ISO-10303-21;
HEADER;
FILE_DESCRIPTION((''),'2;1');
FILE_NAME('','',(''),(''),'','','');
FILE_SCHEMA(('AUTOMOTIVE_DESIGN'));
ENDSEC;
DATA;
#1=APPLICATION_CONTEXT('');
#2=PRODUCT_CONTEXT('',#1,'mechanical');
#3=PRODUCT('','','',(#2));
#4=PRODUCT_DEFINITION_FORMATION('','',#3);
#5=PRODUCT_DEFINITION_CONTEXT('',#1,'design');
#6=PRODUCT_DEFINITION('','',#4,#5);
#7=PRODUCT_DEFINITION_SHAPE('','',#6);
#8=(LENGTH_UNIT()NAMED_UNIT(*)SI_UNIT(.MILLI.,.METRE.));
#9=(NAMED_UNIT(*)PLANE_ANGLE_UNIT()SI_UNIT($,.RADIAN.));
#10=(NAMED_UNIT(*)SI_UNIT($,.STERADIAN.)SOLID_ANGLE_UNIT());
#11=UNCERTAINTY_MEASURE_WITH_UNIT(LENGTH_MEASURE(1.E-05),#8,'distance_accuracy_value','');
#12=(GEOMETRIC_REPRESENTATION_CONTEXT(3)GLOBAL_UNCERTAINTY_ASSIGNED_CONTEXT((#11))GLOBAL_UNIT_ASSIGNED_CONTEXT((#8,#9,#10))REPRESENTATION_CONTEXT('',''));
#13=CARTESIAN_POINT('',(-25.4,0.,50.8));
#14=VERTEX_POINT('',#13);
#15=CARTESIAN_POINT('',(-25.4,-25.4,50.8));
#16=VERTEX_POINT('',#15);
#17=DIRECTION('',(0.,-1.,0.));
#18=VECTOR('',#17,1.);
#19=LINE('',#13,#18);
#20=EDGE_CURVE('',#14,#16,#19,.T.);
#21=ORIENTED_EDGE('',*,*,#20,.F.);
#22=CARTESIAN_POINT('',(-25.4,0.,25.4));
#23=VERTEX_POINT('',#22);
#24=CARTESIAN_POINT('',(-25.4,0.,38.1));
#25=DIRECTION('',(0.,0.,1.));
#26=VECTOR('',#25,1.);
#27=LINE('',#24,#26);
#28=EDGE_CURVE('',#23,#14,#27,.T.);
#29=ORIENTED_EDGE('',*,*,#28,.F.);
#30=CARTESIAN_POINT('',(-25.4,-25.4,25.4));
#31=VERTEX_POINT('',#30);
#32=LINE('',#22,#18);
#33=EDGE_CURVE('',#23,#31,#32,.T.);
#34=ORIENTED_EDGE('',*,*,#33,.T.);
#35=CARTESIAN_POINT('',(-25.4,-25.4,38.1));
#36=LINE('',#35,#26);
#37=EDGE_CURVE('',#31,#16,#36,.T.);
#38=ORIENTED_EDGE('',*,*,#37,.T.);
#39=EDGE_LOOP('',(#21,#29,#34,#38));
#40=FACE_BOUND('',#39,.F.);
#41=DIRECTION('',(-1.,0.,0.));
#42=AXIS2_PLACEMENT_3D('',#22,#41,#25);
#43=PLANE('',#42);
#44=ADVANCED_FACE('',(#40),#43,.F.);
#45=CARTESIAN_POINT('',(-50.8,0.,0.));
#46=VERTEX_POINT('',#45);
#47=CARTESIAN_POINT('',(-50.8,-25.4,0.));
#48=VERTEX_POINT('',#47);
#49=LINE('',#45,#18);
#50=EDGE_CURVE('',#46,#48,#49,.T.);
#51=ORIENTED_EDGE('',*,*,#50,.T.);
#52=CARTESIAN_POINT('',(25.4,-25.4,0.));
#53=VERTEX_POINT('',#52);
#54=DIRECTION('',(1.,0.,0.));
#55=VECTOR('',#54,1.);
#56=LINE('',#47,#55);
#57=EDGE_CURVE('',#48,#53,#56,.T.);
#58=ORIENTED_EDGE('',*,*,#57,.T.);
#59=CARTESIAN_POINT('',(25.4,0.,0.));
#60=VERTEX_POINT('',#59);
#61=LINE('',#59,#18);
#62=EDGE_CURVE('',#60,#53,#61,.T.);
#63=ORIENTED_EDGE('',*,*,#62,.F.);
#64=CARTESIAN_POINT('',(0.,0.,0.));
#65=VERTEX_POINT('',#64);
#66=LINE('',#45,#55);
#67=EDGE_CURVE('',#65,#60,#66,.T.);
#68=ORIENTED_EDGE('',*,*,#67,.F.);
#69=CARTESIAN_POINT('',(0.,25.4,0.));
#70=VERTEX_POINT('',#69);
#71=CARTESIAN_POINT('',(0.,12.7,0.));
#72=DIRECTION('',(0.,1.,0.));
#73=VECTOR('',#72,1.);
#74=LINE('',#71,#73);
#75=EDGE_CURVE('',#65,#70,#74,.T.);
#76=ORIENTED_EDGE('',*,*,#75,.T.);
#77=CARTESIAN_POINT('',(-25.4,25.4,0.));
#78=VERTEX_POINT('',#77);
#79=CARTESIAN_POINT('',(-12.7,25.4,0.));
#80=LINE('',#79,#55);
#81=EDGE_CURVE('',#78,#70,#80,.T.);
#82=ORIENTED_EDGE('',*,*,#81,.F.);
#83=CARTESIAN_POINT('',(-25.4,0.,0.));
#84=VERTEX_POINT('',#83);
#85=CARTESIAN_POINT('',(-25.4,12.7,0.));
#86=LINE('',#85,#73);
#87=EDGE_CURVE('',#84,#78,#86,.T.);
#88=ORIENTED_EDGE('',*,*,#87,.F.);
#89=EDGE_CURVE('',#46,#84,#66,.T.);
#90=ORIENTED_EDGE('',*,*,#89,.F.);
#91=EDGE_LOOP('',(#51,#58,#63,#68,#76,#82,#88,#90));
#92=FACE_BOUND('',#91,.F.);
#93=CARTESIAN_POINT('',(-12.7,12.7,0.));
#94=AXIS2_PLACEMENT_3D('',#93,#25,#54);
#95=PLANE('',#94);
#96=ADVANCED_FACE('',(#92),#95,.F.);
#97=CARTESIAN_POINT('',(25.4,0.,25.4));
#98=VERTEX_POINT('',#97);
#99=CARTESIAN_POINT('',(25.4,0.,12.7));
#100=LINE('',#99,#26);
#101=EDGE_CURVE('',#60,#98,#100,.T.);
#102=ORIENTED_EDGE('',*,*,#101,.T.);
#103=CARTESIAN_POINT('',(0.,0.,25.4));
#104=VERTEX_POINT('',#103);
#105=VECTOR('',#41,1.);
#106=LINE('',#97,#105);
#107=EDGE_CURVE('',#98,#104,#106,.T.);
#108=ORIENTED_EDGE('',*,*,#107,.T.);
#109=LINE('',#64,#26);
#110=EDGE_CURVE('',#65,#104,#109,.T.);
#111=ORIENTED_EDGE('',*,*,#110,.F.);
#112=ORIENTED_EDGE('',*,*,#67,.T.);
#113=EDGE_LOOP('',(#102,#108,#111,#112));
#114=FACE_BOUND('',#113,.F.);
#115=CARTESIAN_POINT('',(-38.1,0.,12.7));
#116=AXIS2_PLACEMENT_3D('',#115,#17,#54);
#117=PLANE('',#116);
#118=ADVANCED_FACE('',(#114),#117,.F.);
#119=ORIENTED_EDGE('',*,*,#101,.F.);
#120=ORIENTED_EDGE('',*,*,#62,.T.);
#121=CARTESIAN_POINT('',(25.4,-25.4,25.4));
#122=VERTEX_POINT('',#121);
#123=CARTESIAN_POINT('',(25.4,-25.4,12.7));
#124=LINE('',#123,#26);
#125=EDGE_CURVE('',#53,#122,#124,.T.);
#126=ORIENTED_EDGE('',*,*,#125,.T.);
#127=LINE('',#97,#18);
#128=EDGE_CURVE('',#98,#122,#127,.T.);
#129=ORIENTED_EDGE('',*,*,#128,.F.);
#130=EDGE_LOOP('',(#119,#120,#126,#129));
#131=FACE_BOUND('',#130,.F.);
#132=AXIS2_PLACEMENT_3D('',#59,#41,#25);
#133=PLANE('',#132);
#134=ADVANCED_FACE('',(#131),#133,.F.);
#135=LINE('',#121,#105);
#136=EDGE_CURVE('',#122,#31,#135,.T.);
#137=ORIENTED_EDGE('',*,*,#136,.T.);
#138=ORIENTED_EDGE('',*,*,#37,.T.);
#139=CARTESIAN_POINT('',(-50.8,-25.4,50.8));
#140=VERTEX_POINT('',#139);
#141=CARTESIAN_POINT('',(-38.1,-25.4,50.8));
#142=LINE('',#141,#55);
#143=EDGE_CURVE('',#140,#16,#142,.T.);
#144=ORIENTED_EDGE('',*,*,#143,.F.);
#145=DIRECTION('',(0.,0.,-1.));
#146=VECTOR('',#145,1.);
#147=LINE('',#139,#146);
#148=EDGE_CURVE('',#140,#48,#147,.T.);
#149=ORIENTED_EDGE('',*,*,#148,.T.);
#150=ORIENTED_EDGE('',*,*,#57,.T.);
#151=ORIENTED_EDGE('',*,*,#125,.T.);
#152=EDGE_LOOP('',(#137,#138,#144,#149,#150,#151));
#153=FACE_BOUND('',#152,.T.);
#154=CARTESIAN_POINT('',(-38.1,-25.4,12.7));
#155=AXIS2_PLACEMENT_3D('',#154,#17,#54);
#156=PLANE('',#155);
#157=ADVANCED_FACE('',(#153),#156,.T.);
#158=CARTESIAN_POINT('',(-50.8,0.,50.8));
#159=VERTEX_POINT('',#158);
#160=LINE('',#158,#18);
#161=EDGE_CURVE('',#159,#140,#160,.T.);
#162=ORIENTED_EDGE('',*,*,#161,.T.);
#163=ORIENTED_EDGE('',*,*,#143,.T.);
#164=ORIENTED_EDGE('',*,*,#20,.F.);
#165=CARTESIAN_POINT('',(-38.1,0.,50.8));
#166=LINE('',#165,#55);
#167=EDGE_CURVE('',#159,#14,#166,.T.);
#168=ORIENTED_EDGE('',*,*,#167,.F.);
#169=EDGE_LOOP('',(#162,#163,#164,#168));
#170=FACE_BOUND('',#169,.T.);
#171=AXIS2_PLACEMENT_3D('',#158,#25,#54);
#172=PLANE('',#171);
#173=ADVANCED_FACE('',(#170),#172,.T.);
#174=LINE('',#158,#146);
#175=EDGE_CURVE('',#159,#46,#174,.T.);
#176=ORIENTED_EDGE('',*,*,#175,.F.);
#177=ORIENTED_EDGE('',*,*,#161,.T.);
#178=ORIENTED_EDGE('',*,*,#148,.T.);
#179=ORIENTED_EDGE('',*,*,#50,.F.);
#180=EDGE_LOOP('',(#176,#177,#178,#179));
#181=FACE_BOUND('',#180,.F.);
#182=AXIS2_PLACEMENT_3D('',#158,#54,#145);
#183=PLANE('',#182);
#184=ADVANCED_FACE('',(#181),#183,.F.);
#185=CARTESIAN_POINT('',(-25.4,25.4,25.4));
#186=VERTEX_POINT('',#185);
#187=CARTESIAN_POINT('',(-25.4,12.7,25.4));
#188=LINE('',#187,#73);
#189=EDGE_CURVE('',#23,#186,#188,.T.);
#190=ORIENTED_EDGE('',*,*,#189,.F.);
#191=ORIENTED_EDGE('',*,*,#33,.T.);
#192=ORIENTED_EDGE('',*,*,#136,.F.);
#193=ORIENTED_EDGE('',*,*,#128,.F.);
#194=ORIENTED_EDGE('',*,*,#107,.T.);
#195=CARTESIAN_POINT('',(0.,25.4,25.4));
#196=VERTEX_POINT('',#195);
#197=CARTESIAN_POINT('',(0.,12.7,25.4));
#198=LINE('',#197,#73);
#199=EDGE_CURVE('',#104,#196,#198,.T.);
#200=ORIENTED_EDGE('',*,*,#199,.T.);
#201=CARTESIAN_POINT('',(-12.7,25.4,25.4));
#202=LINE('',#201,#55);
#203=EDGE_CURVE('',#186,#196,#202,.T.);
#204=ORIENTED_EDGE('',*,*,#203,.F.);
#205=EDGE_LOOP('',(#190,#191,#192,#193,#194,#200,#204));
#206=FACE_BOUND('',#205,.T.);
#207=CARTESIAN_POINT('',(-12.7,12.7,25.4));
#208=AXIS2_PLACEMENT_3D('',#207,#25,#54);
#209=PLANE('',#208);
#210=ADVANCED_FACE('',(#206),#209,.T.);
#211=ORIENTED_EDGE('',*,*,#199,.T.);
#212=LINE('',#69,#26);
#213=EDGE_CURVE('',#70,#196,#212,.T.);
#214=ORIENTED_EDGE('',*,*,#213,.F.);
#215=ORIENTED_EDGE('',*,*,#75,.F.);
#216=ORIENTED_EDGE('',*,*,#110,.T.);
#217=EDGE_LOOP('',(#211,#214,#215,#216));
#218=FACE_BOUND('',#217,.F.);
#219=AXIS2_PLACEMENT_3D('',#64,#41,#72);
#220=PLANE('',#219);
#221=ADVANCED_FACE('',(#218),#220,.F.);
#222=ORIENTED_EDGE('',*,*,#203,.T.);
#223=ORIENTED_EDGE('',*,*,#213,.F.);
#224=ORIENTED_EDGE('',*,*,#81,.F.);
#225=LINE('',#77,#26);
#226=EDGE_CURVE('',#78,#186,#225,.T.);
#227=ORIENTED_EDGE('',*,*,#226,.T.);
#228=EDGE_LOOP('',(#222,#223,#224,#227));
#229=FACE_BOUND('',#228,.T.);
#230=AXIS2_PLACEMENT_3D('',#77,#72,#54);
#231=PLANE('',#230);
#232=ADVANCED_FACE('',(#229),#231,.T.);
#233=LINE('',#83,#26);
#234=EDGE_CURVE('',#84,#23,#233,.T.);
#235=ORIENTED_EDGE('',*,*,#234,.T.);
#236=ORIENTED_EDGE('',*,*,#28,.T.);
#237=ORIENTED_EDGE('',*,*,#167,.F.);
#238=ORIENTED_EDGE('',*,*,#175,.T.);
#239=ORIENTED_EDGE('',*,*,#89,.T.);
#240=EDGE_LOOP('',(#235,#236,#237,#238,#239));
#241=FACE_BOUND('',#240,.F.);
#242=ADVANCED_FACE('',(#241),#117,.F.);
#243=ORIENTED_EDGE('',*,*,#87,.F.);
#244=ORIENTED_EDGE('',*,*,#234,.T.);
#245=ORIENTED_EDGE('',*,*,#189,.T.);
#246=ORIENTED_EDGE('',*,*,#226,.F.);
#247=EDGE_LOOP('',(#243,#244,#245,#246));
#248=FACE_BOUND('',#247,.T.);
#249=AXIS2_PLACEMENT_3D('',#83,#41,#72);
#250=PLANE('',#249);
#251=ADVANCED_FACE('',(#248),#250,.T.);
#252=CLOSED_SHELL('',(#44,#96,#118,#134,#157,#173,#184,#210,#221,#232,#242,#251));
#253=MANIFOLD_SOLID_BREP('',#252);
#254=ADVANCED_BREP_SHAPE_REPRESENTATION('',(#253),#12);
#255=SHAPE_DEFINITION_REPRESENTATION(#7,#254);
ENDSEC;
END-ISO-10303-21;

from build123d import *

# Parameters (mm, degrees)
F0_W     = 25.4
F0_H     = 25.4
F1_DEPTH = 25.4
F2_W     = 25.4
F2_H     = 25.4
F3_DEPTH = 25.4


with BuildPart() as f1:
    # F0 (on Front) → F1 (new body)
    with BuildSketch(Plane.XZ):
        with Locations((-38.1, 12.7)):
            Rectangle(F0_W, F0_H)
        with Locations((-12.7, 12.7)):
            Rectangle(F0_W, F0_H)
        with Locations((12.7, 12.7)):
            Rectangle(F0_W, F0_H)
        with Locations((-38.1, 38.1)):
            Rectangle(F0_W, F0_H)
    extrude(amount=F1_DEPTH)

    # F2 (on Top) → F3 (join)
    with BuildSketch(Plane.XY):
        with Locations((-12.7, 12.7)):
            Rectangle(F2_W, F2_H)
    extrude(amount=F3_DEPTH)


solid = f1.part
